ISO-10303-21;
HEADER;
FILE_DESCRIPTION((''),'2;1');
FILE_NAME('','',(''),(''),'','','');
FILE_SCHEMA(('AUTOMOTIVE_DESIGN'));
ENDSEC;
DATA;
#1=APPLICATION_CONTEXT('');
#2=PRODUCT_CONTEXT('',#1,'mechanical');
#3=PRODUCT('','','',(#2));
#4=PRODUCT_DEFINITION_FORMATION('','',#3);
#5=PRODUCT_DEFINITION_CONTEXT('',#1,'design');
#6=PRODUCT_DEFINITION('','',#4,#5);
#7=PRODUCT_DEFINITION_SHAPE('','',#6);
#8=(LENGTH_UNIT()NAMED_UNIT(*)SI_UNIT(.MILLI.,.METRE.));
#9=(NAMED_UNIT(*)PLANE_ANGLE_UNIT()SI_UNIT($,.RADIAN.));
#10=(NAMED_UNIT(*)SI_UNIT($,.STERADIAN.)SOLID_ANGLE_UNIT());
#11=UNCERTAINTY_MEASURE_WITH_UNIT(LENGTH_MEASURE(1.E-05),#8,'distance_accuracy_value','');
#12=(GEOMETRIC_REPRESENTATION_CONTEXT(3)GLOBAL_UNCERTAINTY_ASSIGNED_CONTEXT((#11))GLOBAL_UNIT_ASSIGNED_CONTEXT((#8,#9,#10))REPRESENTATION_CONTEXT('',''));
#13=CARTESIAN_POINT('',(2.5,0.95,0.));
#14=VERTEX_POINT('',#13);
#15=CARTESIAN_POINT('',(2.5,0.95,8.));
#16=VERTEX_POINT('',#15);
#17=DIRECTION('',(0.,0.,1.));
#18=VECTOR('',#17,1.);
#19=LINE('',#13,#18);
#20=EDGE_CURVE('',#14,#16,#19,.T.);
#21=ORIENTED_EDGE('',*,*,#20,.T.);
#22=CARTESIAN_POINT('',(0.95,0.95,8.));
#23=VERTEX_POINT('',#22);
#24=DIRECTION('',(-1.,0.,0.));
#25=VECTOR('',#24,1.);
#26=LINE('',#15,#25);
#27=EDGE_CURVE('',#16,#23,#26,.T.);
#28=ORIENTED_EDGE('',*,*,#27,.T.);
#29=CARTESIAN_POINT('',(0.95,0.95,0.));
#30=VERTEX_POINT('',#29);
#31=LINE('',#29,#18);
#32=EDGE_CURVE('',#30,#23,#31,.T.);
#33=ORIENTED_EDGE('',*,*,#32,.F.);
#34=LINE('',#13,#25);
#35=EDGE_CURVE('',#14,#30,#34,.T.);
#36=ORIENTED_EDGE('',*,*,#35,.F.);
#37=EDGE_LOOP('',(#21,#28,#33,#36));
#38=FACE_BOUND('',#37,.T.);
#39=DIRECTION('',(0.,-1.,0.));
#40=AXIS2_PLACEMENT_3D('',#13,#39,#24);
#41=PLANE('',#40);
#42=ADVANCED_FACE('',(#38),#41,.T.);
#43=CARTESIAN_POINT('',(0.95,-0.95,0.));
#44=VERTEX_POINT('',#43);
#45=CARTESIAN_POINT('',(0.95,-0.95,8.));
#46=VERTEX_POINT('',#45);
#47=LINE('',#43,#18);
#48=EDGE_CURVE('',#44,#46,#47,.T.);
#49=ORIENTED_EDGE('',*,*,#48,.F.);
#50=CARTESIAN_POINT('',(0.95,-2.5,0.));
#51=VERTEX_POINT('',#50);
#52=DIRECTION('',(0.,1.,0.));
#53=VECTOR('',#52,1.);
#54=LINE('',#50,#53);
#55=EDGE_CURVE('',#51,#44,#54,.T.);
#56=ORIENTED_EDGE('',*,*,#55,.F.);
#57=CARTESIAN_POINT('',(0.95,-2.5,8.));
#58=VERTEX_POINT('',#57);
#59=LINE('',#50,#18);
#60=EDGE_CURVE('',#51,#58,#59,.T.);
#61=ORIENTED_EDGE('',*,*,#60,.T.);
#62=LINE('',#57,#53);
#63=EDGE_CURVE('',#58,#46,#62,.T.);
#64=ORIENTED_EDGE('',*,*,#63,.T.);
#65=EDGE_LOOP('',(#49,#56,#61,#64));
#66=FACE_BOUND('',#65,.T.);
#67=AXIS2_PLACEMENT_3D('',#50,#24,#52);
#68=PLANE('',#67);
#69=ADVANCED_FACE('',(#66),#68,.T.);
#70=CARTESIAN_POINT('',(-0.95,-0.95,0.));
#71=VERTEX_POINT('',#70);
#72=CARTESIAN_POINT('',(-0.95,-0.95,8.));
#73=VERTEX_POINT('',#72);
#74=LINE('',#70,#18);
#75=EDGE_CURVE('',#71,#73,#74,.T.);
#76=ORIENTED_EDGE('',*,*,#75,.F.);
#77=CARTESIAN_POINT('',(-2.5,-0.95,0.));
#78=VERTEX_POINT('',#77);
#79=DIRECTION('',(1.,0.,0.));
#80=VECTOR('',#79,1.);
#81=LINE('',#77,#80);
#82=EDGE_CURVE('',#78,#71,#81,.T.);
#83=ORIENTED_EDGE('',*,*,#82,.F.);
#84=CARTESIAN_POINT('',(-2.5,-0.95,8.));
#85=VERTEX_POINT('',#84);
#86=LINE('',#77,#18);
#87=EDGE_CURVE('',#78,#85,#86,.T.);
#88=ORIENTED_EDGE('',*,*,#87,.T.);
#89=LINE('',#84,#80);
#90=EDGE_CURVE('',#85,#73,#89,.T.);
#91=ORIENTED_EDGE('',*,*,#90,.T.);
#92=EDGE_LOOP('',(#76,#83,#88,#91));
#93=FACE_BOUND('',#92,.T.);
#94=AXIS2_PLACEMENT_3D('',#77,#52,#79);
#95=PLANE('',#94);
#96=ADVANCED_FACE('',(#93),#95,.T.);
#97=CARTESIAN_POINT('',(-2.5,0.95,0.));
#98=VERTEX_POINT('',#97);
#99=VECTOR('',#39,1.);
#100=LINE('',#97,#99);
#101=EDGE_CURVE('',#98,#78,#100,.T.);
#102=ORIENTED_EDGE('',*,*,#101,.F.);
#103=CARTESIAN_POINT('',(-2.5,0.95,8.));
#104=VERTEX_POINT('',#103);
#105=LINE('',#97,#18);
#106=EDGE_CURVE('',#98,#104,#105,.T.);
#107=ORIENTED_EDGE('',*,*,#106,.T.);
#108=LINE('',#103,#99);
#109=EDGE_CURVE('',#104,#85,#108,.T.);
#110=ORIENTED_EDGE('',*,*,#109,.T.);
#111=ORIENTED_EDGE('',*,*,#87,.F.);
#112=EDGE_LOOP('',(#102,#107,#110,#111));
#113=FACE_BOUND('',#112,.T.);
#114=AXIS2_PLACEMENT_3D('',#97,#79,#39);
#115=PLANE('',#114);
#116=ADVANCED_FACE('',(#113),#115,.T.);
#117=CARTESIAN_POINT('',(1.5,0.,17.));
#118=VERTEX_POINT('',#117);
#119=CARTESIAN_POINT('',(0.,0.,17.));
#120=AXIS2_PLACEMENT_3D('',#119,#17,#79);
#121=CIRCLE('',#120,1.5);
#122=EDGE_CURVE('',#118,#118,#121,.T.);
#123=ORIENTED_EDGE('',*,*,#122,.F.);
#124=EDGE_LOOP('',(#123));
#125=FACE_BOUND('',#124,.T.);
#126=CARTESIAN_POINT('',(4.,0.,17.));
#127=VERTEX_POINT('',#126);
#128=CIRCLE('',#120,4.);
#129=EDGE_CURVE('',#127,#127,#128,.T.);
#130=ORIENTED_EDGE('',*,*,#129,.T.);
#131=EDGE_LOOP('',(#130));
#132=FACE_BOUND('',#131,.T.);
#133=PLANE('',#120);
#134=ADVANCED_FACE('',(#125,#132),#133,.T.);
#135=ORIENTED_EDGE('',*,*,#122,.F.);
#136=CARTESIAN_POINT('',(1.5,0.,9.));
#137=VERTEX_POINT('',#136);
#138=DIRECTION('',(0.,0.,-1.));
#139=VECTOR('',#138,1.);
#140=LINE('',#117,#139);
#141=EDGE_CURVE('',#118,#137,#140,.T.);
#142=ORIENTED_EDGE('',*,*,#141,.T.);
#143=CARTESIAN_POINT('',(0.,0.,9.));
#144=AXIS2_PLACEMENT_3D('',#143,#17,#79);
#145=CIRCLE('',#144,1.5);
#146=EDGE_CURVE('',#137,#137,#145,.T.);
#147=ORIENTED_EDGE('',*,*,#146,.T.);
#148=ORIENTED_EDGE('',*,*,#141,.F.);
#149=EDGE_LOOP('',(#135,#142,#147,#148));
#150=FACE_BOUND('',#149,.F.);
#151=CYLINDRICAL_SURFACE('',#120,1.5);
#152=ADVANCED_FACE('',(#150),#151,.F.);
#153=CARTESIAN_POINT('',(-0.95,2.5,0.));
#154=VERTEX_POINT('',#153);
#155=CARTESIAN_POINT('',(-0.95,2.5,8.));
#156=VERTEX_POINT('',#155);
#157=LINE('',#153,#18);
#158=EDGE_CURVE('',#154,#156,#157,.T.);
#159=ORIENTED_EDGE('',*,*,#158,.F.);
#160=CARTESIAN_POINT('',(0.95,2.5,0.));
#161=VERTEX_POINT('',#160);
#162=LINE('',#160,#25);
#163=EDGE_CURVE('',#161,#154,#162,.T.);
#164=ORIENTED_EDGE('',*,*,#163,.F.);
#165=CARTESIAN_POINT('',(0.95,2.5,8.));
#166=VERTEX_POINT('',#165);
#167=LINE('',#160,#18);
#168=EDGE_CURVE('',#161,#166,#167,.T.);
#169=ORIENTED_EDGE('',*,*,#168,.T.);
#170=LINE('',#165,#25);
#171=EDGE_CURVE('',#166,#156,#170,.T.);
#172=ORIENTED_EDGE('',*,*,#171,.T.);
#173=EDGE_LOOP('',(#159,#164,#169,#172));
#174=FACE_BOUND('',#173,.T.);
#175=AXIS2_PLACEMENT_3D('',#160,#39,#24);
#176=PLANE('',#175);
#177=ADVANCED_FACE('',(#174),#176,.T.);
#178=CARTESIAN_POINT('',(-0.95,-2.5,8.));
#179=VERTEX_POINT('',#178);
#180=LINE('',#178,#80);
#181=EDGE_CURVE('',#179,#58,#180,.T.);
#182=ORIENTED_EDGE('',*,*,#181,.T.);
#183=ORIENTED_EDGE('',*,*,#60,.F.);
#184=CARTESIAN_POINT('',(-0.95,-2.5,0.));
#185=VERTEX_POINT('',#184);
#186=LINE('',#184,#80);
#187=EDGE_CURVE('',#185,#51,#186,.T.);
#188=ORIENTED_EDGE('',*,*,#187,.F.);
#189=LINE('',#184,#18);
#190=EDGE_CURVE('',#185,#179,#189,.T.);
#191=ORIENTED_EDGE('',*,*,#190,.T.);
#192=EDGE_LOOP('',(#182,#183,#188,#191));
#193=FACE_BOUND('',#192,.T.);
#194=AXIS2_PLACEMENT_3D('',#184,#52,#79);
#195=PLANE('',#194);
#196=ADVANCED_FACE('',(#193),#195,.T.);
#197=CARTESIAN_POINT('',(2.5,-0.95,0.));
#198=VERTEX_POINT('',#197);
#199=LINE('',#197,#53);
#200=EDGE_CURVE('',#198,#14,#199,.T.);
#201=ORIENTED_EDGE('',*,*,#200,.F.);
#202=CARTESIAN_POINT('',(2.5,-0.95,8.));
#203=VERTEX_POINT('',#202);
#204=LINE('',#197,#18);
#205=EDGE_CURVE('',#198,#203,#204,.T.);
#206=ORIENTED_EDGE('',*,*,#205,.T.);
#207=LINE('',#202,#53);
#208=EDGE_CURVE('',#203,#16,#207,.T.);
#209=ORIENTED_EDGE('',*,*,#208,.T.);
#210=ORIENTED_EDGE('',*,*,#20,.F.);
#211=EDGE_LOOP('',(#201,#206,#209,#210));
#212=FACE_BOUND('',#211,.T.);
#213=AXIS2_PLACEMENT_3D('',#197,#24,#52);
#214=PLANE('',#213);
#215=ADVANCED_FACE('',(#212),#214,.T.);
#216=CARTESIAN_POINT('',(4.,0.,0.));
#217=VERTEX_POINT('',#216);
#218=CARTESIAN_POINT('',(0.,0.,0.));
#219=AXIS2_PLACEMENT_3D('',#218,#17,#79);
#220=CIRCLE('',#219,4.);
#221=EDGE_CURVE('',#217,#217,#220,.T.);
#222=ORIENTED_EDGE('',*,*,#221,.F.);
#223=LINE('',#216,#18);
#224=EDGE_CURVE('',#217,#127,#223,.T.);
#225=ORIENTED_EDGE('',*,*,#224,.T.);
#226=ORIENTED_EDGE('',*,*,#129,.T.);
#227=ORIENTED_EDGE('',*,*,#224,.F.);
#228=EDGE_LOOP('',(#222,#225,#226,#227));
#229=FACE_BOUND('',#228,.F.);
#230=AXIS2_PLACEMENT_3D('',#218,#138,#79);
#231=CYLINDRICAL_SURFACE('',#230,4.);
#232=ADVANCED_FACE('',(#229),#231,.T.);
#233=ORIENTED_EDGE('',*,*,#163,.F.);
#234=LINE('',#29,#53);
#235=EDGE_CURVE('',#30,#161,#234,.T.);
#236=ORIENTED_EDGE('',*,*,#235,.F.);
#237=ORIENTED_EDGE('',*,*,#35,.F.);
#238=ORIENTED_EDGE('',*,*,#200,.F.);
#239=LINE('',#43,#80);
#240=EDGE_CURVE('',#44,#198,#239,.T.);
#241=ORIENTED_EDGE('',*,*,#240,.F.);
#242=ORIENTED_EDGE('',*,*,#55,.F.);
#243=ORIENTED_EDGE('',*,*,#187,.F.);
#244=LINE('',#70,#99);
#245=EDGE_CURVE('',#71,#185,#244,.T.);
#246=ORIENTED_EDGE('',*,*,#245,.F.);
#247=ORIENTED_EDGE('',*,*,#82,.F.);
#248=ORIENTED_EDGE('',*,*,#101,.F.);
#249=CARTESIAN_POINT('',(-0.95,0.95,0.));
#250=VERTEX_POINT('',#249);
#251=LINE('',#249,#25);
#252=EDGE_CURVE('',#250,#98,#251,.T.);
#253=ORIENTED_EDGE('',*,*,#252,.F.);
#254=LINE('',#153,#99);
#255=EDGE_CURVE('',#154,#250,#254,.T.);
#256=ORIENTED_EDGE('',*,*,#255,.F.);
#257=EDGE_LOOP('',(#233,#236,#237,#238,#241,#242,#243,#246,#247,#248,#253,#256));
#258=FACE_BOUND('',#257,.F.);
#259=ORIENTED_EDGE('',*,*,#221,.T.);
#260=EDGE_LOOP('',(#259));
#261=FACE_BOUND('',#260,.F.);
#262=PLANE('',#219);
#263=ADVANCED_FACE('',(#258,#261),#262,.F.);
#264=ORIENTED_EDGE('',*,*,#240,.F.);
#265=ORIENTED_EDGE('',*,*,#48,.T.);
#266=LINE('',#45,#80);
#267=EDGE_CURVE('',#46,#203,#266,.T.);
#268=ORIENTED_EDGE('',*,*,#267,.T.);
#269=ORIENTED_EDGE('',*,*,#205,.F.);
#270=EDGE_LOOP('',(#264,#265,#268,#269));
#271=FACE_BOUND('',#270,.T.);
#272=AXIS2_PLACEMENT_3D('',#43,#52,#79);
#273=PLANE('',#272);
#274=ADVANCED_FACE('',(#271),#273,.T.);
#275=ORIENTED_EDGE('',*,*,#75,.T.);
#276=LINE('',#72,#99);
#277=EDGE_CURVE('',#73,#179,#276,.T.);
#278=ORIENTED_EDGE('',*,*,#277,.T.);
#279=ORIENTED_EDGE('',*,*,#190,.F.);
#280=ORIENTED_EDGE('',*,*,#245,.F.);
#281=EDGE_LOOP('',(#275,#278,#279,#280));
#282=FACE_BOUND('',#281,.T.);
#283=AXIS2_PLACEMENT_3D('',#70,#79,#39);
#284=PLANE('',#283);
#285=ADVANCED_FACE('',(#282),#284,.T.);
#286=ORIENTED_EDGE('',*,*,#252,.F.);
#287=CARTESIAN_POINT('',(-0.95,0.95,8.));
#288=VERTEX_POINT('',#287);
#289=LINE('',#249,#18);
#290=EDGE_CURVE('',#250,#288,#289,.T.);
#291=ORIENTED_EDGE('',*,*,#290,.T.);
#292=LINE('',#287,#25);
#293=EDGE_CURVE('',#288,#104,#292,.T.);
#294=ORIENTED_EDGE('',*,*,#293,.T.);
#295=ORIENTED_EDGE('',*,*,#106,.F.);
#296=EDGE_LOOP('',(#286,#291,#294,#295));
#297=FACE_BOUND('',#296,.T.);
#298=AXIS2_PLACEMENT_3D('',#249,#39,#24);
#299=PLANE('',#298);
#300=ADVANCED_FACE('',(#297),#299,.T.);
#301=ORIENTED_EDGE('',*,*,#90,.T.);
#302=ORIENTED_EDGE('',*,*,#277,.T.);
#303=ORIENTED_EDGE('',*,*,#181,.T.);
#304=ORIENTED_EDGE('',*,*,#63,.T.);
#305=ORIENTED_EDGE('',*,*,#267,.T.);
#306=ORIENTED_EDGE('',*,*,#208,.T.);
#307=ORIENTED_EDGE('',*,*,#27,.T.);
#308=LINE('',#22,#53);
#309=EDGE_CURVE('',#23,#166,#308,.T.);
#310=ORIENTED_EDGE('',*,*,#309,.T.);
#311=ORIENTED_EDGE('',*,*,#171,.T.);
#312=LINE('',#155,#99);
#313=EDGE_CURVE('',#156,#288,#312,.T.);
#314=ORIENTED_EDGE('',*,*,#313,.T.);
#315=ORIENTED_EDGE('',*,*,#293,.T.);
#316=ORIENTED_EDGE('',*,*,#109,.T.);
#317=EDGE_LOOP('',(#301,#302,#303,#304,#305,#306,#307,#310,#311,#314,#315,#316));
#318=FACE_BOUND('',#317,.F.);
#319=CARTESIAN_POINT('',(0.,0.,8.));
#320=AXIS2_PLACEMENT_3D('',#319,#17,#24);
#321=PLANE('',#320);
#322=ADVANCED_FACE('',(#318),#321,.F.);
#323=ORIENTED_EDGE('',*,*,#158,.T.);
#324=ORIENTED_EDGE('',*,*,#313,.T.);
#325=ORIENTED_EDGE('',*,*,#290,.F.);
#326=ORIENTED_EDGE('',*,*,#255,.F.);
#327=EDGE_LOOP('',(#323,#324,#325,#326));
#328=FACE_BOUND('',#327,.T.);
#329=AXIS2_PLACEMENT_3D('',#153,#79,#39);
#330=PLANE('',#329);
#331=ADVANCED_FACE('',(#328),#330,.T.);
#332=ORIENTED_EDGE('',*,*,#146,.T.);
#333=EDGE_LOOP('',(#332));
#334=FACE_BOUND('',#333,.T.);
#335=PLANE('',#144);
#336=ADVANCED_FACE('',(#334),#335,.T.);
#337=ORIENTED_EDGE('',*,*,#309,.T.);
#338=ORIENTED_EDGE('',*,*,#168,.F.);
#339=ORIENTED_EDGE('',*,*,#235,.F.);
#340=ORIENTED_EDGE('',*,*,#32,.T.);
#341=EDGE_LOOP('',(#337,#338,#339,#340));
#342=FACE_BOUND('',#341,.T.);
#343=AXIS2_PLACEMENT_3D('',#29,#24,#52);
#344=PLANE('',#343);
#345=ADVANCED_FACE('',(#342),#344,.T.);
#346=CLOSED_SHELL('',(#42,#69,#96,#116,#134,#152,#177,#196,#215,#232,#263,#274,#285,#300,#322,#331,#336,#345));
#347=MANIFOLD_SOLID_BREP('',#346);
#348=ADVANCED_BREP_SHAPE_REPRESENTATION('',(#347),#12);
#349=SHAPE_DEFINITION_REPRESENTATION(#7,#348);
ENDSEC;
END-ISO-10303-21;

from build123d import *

# Parameters (mm, degrees)
SKETCH004_R     = 4
PAD002_DEPTH    = 17
SKETCH005_R     = 1.5
POCKET002_DEPTH = 8
POCKET003_DEPTH = 8


with BuildPart() as part:
    # Sketch004 → Pad002 (new body)
    with BuildSketch(Plane.XY):
        Circle(SKETCH004_R)
    extrude(amount=PAD002_DEPTH)

    # Sketch005 → Pocket002 (cut)
    with BuildSketch(Plane.XY.offset(17)):
        Circle(SKETCH005_R)
    extrude(amount=-POCKET002_DEPTH, mode=Mode.SUBTRACT)

    # Sketch006 → Pocket003 (cut)
    with BuildSketch(Plane(origin=(0, 0, 0), x_dir=(1, 0, 0), z_dir=(0, 0, -1))):
        Polygon((-0.95, 2.5), (0.95, 2.5), (0.95, 0.95), (2.5, 0.95), (2.5, -0.95), (0.95, -0.95), (0.95, -2.5), (-0.95, -2.5), (-0.95, -0.95), (-2.5, -0.95), (-2.5, 0.95), (-0.95, 0.95), align=None)
    extrude(amount=-POCKET003_DEPTH, mode=Mode.SUBTRACT)


solid = part.part
